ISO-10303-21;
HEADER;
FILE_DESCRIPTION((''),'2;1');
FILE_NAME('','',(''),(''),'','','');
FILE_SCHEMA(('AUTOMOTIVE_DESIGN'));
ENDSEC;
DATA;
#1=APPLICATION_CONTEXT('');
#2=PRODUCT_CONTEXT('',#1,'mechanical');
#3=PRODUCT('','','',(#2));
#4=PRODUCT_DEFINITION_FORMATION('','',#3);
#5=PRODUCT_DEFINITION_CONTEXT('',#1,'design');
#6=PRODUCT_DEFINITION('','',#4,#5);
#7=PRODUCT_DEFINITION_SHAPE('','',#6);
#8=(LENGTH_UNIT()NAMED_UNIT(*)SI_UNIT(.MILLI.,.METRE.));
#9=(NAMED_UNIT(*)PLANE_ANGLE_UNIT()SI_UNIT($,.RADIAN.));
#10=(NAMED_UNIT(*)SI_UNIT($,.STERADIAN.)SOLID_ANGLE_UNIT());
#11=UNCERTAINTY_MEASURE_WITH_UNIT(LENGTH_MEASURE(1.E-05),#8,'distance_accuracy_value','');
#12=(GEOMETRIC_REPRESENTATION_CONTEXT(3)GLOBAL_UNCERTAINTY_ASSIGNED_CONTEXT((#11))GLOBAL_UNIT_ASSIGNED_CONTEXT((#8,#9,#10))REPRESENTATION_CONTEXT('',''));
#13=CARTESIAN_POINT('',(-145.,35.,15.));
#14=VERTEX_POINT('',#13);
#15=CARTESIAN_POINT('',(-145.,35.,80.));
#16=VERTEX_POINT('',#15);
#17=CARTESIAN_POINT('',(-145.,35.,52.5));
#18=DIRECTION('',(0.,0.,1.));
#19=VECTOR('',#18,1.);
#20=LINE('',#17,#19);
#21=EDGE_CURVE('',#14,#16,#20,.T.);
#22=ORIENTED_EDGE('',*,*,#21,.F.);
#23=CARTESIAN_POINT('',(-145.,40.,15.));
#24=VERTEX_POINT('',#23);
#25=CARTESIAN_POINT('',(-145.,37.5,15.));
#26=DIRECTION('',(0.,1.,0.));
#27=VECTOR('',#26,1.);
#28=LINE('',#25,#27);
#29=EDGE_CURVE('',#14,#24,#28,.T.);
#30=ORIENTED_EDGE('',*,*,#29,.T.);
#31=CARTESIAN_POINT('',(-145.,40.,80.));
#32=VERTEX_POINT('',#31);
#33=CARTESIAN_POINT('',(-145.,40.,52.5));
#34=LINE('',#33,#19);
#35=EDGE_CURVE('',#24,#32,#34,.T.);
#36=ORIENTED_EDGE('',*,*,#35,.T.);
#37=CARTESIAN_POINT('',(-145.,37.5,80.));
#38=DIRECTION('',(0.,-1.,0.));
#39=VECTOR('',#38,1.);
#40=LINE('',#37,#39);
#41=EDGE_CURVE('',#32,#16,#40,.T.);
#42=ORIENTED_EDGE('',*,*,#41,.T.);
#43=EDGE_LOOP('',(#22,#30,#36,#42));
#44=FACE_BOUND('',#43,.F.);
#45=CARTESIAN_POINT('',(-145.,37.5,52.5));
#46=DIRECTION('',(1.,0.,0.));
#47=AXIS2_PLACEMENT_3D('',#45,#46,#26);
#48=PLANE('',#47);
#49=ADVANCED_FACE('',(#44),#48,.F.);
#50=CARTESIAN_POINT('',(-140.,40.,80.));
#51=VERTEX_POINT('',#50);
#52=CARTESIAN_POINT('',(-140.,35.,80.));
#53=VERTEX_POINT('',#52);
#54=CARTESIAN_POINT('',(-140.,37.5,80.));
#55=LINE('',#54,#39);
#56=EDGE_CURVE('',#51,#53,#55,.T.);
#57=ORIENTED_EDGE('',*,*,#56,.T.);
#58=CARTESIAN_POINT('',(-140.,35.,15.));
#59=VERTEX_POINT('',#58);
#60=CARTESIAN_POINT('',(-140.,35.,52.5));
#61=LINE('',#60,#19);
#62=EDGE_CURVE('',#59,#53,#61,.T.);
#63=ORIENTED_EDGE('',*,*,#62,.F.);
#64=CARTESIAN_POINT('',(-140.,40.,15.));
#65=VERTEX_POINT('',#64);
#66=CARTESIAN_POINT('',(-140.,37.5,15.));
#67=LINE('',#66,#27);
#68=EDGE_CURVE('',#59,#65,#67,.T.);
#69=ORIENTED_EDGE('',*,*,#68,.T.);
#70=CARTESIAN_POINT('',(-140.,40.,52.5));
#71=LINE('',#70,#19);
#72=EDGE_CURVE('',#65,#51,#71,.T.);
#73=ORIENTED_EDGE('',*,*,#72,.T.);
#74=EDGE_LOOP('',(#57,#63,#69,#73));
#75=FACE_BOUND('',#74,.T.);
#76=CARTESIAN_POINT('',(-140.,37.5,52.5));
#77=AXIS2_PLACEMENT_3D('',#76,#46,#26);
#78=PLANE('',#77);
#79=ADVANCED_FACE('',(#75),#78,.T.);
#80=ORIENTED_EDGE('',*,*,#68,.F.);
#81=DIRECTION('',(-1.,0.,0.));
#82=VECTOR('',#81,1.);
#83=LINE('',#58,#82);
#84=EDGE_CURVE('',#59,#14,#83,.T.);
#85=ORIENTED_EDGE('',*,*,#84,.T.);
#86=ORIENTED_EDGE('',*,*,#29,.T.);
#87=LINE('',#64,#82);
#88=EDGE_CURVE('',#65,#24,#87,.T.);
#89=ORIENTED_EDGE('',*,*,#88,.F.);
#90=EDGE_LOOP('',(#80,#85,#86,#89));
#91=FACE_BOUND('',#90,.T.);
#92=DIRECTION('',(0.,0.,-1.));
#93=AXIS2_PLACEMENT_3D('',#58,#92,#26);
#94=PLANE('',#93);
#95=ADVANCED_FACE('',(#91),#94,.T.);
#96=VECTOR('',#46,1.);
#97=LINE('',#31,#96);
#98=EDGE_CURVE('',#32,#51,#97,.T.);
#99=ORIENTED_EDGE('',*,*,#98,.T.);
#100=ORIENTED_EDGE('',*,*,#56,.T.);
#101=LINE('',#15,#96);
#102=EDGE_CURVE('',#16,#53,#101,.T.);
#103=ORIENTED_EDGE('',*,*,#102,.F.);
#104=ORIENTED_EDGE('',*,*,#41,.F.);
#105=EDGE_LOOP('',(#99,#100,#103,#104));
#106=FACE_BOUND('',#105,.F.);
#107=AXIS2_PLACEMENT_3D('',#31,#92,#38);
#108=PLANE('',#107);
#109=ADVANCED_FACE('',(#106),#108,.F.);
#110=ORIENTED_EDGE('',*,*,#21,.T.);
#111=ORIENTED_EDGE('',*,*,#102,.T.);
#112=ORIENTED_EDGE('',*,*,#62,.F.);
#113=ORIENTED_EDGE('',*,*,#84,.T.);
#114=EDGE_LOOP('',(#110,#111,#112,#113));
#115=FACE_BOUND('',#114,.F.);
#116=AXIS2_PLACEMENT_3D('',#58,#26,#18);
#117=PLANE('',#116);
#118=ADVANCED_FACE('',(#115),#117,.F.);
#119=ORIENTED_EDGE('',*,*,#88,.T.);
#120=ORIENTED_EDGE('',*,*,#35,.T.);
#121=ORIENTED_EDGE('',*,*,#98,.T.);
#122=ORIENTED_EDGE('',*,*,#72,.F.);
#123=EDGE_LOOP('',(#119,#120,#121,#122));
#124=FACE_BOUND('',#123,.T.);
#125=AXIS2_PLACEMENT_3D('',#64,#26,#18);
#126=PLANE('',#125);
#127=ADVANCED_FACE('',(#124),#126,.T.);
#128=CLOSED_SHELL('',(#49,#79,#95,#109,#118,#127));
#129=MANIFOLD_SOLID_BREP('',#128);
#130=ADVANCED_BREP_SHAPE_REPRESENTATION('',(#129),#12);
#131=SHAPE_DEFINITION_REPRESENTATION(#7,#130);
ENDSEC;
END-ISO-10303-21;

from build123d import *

# Parameters (mm, degrees)
RECTANGLE071_W   = 5
RECTANGLE071_H   = 10
EXTRUDE085_DEPTH = 5
RECTANGLE034_W   = 5
RECTANGLE034_H   = 75
EXTRUDE040_DEPTH = 5


with BuildPart() as extrude085:
    # Rectangle071 → Extrude085 (new body)
    with BuildSketch(Plane(origin=(-245, 40, 80), x_dir=(0, -1, 0), z_dir=(-1, 0, 0))):
        with Locations((2.5, 5)):
            Rectangle(RECTANGLE071_W, RECTANGLE071_H)
    extrude(amount=-EXTRUDE085_DEPTH)


with BuildPart() as extrude085_1:
    # Extrude085 placement: moved
    add(extrude085.part.moved(Location((100, 0, 0))))


with BuildPart() as cut005:
    # Rectangle034 → Extrude040 (new body)
    with BuildSketch(Plane(origin=(-140, 35, 15), x_dir=(0, 1, 0), z_dir=(1, 0, 0))):
        with Locations((2.5, 37.5)):
            Rectangle(RECTANGLE034_W, RECTANGLE034_H)
    extrude(amount=-EXTRUDE040_DEPTH)

    # Cut005: cut Extrude085
    add(extrude085_1.part, mode=Mode.SUBTRACT)


solid = cut005.part
